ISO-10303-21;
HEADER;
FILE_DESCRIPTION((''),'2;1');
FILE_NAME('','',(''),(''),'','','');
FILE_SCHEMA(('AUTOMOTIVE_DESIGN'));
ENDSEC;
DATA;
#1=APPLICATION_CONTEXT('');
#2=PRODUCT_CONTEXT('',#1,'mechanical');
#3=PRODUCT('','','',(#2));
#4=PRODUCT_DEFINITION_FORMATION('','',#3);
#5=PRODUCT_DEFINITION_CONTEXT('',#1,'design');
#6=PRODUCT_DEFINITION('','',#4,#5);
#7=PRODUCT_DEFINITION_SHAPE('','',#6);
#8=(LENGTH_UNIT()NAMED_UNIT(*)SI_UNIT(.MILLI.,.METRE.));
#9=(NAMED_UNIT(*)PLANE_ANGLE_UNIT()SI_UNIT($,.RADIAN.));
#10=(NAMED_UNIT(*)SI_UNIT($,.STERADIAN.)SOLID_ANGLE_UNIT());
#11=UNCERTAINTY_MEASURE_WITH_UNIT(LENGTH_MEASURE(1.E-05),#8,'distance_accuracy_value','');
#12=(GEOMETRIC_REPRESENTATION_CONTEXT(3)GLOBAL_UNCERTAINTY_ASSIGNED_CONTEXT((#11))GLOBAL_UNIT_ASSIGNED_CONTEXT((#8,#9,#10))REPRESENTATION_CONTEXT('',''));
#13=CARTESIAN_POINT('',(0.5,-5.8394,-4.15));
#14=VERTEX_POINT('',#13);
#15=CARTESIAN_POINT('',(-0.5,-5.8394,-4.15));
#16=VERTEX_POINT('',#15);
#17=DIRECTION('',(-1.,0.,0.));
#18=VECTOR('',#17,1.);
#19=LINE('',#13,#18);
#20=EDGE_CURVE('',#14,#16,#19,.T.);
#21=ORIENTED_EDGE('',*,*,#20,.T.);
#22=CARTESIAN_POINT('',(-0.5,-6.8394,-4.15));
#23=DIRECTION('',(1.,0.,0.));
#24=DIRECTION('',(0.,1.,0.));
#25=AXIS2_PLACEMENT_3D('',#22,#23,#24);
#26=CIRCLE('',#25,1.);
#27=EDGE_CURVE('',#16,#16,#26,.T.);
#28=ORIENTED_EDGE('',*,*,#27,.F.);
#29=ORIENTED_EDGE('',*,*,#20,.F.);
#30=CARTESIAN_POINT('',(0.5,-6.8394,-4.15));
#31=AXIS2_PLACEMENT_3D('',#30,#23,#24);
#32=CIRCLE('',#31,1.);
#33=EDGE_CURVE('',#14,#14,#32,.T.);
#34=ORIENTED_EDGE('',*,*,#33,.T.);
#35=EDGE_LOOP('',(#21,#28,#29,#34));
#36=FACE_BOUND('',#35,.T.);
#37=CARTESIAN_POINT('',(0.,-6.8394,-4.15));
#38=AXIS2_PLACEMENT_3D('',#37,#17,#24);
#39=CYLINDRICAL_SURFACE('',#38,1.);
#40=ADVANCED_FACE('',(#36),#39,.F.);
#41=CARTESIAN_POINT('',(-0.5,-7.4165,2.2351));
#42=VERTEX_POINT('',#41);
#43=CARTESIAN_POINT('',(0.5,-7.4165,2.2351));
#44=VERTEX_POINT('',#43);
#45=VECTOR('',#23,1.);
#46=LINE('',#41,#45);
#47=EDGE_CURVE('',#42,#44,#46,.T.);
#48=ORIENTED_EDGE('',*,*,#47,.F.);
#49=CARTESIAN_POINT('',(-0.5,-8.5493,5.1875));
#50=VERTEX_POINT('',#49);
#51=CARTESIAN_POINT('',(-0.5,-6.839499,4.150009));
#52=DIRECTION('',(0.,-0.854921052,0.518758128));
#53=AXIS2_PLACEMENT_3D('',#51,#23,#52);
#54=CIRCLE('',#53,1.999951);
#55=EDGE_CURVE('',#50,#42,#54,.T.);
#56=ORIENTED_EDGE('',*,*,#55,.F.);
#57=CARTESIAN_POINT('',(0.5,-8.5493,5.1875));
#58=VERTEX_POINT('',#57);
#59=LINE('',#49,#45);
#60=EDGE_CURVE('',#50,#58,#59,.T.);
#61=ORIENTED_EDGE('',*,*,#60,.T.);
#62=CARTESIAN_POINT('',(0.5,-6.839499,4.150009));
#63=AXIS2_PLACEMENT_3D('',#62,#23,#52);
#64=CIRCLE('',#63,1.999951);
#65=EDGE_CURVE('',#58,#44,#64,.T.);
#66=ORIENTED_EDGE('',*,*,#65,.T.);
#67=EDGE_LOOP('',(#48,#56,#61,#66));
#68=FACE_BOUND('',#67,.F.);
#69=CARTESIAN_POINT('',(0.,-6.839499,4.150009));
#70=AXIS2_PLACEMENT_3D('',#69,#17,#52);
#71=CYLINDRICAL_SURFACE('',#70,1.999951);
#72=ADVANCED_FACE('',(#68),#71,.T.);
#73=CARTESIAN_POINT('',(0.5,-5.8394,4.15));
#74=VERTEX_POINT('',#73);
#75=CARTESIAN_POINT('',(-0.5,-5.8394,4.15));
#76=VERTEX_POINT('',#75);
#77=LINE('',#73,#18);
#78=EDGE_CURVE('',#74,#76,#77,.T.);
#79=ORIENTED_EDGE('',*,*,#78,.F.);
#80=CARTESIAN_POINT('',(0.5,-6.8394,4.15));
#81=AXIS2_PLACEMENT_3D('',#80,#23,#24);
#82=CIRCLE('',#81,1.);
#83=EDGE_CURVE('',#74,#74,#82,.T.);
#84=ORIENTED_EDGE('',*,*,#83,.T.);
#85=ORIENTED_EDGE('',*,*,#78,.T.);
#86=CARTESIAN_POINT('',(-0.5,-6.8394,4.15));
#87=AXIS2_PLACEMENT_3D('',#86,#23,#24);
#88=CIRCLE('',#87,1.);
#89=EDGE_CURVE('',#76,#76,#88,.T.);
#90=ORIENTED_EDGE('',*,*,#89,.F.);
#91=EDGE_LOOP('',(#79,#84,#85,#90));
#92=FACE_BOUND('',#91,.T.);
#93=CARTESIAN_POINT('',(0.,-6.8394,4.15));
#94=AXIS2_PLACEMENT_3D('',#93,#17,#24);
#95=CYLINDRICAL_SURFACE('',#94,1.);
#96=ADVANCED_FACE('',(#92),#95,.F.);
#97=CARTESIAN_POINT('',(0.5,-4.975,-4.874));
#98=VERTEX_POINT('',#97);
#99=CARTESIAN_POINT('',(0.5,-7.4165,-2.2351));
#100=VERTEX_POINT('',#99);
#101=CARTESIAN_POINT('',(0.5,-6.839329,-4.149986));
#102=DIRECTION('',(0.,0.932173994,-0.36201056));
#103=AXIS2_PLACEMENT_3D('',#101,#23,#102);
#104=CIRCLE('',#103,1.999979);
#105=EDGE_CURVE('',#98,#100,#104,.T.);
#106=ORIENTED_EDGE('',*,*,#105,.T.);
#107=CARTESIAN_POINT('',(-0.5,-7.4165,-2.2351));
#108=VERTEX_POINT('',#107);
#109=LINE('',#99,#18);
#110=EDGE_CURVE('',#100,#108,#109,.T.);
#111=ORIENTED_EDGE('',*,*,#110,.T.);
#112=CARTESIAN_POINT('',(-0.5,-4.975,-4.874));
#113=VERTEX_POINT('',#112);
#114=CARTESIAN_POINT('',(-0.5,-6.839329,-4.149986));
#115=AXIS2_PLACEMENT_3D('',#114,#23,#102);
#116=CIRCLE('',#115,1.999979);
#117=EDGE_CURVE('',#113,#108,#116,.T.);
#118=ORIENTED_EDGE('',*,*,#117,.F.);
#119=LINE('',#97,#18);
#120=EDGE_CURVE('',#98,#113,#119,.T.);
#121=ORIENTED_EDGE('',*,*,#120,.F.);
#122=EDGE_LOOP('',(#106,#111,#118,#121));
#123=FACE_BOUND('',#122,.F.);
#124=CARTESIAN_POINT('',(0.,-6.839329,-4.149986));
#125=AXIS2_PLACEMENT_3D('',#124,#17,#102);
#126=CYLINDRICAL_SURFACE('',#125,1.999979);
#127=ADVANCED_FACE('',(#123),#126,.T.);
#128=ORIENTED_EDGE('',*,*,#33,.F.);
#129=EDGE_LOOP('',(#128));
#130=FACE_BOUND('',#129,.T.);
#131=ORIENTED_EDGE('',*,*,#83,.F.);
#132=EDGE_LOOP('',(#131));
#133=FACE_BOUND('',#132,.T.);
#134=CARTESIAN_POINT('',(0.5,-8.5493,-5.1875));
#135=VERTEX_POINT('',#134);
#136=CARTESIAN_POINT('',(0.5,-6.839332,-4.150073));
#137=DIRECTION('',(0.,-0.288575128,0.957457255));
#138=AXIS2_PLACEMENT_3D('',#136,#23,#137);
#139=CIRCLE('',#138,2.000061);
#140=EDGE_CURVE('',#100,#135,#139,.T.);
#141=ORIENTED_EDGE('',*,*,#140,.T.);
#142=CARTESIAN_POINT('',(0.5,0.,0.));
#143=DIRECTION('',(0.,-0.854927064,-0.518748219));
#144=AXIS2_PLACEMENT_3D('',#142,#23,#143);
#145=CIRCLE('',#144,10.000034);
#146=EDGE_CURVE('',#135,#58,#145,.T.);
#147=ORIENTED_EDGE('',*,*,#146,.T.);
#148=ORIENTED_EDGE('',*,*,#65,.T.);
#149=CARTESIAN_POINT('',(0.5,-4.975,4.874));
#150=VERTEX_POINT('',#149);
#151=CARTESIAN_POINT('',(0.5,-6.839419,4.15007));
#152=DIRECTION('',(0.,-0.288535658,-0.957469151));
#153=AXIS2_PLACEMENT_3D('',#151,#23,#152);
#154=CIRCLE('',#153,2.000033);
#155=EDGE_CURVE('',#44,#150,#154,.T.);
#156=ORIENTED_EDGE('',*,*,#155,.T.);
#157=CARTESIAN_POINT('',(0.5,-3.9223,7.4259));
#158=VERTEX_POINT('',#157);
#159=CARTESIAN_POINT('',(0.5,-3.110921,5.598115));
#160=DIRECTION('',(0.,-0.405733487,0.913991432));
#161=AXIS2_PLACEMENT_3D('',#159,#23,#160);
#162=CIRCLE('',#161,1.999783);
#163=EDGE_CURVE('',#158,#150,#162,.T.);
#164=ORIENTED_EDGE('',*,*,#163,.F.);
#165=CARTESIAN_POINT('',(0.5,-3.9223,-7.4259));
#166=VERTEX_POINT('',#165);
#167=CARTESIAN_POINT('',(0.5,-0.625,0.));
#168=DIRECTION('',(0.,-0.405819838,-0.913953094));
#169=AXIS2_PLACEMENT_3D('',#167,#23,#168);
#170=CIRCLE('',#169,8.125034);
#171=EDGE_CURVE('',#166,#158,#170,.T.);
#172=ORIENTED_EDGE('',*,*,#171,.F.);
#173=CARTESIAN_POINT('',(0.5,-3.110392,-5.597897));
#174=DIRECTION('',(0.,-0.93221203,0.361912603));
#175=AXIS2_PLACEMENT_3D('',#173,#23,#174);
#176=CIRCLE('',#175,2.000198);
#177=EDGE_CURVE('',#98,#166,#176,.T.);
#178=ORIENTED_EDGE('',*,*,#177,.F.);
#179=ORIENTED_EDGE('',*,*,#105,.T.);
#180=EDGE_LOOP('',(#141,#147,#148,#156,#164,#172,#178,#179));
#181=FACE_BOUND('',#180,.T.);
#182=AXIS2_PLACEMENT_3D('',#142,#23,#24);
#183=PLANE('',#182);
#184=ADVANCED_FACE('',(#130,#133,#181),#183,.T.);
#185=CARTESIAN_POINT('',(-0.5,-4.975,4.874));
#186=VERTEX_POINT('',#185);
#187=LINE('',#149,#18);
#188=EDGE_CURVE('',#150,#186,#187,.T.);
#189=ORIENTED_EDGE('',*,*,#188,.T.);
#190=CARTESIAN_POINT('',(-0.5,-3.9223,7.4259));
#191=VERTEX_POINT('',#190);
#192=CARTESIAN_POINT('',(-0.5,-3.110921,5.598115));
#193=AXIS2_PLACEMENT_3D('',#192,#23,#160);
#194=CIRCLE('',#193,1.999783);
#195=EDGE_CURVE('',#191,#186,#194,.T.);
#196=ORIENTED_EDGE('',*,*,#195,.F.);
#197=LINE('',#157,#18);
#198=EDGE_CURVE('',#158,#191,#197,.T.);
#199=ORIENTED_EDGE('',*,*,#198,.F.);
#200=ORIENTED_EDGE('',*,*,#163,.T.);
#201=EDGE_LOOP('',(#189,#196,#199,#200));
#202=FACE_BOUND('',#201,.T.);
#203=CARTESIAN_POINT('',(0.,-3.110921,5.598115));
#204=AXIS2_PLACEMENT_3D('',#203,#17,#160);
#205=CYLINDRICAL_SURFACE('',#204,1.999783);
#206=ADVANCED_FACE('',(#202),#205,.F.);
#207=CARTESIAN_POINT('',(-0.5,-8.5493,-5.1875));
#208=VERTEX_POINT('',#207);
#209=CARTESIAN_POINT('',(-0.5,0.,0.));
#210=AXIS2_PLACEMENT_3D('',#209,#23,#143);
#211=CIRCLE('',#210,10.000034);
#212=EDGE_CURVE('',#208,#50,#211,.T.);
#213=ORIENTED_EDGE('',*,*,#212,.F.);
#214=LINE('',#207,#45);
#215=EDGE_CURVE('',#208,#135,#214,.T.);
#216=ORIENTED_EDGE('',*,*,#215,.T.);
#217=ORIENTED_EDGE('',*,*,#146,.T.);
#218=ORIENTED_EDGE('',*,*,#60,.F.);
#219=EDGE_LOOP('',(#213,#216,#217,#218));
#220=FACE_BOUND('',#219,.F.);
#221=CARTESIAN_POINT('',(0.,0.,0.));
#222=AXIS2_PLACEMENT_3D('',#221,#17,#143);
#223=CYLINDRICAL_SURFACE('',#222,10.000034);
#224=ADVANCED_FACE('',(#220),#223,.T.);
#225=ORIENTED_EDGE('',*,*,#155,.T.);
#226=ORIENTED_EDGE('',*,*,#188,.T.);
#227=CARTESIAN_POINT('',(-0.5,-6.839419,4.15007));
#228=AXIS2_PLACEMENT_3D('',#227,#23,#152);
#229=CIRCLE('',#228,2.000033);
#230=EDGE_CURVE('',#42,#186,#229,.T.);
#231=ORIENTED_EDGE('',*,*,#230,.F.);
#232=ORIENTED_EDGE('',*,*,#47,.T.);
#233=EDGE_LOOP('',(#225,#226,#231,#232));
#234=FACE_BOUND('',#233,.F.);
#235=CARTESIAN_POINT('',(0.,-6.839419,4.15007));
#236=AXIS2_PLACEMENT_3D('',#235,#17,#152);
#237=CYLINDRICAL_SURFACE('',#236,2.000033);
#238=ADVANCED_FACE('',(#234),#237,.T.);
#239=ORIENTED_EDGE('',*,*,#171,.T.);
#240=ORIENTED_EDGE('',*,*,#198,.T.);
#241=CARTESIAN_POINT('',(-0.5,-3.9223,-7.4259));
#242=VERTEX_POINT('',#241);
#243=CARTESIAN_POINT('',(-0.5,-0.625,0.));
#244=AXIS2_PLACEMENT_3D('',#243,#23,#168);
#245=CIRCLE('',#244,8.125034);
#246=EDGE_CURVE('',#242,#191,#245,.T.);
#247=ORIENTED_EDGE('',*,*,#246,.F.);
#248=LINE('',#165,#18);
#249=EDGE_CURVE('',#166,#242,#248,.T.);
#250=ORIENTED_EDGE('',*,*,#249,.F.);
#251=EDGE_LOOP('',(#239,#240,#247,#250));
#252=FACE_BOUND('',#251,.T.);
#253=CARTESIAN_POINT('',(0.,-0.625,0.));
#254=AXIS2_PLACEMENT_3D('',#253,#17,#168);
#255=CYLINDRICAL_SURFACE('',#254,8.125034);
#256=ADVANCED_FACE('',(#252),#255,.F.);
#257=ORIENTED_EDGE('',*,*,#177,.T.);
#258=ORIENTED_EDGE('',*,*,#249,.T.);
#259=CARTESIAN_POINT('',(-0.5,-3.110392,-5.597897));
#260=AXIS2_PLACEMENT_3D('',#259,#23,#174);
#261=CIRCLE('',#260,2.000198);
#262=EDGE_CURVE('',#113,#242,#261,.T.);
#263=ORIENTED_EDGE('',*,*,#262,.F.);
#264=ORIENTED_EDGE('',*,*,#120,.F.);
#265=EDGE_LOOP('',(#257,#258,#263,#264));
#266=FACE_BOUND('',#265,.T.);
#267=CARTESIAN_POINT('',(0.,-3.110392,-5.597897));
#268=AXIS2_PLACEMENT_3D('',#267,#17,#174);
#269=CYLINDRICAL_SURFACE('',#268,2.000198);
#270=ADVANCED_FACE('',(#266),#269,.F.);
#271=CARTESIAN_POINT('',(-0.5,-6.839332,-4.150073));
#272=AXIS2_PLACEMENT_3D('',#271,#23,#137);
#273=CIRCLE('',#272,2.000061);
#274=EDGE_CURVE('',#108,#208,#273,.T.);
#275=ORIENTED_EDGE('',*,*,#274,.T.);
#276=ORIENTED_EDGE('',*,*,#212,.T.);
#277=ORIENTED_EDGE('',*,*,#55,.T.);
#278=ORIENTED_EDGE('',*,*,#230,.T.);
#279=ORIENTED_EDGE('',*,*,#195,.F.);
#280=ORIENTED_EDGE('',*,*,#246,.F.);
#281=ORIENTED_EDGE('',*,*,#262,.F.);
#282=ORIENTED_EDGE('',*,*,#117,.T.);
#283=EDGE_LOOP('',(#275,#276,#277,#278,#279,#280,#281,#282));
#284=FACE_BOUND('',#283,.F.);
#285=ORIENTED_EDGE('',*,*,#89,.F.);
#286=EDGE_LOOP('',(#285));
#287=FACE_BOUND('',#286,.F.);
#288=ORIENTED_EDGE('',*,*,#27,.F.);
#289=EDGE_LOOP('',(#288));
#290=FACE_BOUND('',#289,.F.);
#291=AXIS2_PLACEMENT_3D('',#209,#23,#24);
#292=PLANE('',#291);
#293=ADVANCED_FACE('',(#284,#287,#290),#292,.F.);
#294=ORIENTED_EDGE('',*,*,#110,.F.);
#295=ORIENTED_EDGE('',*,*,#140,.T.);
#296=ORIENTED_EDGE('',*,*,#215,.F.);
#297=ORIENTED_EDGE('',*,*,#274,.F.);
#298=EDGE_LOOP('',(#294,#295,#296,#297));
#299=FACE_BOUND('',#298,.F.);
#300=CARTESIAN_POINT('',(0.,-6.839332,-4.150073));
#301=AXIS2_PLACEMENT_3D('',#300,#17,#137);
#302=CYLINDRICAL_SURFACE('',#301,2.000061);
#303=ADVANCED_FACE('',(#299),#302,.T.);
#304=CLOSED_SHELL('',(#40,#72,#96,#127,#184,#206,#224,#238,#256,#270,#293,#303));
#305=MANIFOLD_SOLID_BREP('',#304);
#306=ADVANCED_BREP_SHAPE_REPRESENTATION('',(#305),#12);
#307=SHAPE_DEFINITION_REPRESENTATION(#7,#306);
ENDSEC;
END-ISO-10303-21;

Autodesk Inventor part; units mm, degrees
sketch "Sketch_3" plane through (0, 0, 0) normal (1, 0, 0) x (0, 1, 0)
  arc A0 (-8.5493, -5.1875) -> (-8.5493, 5.1875) centre (0, 0) ccw
  arc A1 (-8.5493, 5.1875) -> (-7.4165, 2.2351) centre (-6.8394, 4.15) ccw
  arc A2 (-7.4165, 2.2351) -> (-4.975, 4.874) centre (-6.8394, 4.15) ccw
  arc A3 (-3.9223, 7.4259) -> (-4.975, 4.874) centre (-3.1107, 5.5979) ccw
  arc A4 (-3.9223, -7.4259) -> (-3.9223, 7.4259) centre (-0.625, 0) ccw
  arc A5 (-4.975, -4.874) -> (-3.9223, -7.4259) centre (-3.1107, -5.5979) ccw
  arc A6 (-4.975, -4.874) -> (-7.4165, -2.2351) centre (-6.8394, -4.15) ccw
  arc A7 (-7.4165, -2.2351) -> (-8.5493, -5.1875) centre (-6.8394, -4.15) ccw
  circle A8 centre (-6.8394, -4.15) radius 1
  circle A9 centre (-6.8394, 4.15) radius 1
extrude "Extrusion1" add sketch "Sketch_3" along normal mid plane 1
ref_plane "rr_XY" through (-0.5, 0, 0) normal (1, 0, 0) x (0, 0, -1)
ref_plane "rr_YZ" through (-0.5, 0, 0) normal (0, 0, -1) x (0, 1, 0)
ref_plane "rr_ZX" through (-0.5, 0, 0) normal (0, 1, 0) x (1, 0, 0)
properties part number "RRING-C-INT-S-19"
